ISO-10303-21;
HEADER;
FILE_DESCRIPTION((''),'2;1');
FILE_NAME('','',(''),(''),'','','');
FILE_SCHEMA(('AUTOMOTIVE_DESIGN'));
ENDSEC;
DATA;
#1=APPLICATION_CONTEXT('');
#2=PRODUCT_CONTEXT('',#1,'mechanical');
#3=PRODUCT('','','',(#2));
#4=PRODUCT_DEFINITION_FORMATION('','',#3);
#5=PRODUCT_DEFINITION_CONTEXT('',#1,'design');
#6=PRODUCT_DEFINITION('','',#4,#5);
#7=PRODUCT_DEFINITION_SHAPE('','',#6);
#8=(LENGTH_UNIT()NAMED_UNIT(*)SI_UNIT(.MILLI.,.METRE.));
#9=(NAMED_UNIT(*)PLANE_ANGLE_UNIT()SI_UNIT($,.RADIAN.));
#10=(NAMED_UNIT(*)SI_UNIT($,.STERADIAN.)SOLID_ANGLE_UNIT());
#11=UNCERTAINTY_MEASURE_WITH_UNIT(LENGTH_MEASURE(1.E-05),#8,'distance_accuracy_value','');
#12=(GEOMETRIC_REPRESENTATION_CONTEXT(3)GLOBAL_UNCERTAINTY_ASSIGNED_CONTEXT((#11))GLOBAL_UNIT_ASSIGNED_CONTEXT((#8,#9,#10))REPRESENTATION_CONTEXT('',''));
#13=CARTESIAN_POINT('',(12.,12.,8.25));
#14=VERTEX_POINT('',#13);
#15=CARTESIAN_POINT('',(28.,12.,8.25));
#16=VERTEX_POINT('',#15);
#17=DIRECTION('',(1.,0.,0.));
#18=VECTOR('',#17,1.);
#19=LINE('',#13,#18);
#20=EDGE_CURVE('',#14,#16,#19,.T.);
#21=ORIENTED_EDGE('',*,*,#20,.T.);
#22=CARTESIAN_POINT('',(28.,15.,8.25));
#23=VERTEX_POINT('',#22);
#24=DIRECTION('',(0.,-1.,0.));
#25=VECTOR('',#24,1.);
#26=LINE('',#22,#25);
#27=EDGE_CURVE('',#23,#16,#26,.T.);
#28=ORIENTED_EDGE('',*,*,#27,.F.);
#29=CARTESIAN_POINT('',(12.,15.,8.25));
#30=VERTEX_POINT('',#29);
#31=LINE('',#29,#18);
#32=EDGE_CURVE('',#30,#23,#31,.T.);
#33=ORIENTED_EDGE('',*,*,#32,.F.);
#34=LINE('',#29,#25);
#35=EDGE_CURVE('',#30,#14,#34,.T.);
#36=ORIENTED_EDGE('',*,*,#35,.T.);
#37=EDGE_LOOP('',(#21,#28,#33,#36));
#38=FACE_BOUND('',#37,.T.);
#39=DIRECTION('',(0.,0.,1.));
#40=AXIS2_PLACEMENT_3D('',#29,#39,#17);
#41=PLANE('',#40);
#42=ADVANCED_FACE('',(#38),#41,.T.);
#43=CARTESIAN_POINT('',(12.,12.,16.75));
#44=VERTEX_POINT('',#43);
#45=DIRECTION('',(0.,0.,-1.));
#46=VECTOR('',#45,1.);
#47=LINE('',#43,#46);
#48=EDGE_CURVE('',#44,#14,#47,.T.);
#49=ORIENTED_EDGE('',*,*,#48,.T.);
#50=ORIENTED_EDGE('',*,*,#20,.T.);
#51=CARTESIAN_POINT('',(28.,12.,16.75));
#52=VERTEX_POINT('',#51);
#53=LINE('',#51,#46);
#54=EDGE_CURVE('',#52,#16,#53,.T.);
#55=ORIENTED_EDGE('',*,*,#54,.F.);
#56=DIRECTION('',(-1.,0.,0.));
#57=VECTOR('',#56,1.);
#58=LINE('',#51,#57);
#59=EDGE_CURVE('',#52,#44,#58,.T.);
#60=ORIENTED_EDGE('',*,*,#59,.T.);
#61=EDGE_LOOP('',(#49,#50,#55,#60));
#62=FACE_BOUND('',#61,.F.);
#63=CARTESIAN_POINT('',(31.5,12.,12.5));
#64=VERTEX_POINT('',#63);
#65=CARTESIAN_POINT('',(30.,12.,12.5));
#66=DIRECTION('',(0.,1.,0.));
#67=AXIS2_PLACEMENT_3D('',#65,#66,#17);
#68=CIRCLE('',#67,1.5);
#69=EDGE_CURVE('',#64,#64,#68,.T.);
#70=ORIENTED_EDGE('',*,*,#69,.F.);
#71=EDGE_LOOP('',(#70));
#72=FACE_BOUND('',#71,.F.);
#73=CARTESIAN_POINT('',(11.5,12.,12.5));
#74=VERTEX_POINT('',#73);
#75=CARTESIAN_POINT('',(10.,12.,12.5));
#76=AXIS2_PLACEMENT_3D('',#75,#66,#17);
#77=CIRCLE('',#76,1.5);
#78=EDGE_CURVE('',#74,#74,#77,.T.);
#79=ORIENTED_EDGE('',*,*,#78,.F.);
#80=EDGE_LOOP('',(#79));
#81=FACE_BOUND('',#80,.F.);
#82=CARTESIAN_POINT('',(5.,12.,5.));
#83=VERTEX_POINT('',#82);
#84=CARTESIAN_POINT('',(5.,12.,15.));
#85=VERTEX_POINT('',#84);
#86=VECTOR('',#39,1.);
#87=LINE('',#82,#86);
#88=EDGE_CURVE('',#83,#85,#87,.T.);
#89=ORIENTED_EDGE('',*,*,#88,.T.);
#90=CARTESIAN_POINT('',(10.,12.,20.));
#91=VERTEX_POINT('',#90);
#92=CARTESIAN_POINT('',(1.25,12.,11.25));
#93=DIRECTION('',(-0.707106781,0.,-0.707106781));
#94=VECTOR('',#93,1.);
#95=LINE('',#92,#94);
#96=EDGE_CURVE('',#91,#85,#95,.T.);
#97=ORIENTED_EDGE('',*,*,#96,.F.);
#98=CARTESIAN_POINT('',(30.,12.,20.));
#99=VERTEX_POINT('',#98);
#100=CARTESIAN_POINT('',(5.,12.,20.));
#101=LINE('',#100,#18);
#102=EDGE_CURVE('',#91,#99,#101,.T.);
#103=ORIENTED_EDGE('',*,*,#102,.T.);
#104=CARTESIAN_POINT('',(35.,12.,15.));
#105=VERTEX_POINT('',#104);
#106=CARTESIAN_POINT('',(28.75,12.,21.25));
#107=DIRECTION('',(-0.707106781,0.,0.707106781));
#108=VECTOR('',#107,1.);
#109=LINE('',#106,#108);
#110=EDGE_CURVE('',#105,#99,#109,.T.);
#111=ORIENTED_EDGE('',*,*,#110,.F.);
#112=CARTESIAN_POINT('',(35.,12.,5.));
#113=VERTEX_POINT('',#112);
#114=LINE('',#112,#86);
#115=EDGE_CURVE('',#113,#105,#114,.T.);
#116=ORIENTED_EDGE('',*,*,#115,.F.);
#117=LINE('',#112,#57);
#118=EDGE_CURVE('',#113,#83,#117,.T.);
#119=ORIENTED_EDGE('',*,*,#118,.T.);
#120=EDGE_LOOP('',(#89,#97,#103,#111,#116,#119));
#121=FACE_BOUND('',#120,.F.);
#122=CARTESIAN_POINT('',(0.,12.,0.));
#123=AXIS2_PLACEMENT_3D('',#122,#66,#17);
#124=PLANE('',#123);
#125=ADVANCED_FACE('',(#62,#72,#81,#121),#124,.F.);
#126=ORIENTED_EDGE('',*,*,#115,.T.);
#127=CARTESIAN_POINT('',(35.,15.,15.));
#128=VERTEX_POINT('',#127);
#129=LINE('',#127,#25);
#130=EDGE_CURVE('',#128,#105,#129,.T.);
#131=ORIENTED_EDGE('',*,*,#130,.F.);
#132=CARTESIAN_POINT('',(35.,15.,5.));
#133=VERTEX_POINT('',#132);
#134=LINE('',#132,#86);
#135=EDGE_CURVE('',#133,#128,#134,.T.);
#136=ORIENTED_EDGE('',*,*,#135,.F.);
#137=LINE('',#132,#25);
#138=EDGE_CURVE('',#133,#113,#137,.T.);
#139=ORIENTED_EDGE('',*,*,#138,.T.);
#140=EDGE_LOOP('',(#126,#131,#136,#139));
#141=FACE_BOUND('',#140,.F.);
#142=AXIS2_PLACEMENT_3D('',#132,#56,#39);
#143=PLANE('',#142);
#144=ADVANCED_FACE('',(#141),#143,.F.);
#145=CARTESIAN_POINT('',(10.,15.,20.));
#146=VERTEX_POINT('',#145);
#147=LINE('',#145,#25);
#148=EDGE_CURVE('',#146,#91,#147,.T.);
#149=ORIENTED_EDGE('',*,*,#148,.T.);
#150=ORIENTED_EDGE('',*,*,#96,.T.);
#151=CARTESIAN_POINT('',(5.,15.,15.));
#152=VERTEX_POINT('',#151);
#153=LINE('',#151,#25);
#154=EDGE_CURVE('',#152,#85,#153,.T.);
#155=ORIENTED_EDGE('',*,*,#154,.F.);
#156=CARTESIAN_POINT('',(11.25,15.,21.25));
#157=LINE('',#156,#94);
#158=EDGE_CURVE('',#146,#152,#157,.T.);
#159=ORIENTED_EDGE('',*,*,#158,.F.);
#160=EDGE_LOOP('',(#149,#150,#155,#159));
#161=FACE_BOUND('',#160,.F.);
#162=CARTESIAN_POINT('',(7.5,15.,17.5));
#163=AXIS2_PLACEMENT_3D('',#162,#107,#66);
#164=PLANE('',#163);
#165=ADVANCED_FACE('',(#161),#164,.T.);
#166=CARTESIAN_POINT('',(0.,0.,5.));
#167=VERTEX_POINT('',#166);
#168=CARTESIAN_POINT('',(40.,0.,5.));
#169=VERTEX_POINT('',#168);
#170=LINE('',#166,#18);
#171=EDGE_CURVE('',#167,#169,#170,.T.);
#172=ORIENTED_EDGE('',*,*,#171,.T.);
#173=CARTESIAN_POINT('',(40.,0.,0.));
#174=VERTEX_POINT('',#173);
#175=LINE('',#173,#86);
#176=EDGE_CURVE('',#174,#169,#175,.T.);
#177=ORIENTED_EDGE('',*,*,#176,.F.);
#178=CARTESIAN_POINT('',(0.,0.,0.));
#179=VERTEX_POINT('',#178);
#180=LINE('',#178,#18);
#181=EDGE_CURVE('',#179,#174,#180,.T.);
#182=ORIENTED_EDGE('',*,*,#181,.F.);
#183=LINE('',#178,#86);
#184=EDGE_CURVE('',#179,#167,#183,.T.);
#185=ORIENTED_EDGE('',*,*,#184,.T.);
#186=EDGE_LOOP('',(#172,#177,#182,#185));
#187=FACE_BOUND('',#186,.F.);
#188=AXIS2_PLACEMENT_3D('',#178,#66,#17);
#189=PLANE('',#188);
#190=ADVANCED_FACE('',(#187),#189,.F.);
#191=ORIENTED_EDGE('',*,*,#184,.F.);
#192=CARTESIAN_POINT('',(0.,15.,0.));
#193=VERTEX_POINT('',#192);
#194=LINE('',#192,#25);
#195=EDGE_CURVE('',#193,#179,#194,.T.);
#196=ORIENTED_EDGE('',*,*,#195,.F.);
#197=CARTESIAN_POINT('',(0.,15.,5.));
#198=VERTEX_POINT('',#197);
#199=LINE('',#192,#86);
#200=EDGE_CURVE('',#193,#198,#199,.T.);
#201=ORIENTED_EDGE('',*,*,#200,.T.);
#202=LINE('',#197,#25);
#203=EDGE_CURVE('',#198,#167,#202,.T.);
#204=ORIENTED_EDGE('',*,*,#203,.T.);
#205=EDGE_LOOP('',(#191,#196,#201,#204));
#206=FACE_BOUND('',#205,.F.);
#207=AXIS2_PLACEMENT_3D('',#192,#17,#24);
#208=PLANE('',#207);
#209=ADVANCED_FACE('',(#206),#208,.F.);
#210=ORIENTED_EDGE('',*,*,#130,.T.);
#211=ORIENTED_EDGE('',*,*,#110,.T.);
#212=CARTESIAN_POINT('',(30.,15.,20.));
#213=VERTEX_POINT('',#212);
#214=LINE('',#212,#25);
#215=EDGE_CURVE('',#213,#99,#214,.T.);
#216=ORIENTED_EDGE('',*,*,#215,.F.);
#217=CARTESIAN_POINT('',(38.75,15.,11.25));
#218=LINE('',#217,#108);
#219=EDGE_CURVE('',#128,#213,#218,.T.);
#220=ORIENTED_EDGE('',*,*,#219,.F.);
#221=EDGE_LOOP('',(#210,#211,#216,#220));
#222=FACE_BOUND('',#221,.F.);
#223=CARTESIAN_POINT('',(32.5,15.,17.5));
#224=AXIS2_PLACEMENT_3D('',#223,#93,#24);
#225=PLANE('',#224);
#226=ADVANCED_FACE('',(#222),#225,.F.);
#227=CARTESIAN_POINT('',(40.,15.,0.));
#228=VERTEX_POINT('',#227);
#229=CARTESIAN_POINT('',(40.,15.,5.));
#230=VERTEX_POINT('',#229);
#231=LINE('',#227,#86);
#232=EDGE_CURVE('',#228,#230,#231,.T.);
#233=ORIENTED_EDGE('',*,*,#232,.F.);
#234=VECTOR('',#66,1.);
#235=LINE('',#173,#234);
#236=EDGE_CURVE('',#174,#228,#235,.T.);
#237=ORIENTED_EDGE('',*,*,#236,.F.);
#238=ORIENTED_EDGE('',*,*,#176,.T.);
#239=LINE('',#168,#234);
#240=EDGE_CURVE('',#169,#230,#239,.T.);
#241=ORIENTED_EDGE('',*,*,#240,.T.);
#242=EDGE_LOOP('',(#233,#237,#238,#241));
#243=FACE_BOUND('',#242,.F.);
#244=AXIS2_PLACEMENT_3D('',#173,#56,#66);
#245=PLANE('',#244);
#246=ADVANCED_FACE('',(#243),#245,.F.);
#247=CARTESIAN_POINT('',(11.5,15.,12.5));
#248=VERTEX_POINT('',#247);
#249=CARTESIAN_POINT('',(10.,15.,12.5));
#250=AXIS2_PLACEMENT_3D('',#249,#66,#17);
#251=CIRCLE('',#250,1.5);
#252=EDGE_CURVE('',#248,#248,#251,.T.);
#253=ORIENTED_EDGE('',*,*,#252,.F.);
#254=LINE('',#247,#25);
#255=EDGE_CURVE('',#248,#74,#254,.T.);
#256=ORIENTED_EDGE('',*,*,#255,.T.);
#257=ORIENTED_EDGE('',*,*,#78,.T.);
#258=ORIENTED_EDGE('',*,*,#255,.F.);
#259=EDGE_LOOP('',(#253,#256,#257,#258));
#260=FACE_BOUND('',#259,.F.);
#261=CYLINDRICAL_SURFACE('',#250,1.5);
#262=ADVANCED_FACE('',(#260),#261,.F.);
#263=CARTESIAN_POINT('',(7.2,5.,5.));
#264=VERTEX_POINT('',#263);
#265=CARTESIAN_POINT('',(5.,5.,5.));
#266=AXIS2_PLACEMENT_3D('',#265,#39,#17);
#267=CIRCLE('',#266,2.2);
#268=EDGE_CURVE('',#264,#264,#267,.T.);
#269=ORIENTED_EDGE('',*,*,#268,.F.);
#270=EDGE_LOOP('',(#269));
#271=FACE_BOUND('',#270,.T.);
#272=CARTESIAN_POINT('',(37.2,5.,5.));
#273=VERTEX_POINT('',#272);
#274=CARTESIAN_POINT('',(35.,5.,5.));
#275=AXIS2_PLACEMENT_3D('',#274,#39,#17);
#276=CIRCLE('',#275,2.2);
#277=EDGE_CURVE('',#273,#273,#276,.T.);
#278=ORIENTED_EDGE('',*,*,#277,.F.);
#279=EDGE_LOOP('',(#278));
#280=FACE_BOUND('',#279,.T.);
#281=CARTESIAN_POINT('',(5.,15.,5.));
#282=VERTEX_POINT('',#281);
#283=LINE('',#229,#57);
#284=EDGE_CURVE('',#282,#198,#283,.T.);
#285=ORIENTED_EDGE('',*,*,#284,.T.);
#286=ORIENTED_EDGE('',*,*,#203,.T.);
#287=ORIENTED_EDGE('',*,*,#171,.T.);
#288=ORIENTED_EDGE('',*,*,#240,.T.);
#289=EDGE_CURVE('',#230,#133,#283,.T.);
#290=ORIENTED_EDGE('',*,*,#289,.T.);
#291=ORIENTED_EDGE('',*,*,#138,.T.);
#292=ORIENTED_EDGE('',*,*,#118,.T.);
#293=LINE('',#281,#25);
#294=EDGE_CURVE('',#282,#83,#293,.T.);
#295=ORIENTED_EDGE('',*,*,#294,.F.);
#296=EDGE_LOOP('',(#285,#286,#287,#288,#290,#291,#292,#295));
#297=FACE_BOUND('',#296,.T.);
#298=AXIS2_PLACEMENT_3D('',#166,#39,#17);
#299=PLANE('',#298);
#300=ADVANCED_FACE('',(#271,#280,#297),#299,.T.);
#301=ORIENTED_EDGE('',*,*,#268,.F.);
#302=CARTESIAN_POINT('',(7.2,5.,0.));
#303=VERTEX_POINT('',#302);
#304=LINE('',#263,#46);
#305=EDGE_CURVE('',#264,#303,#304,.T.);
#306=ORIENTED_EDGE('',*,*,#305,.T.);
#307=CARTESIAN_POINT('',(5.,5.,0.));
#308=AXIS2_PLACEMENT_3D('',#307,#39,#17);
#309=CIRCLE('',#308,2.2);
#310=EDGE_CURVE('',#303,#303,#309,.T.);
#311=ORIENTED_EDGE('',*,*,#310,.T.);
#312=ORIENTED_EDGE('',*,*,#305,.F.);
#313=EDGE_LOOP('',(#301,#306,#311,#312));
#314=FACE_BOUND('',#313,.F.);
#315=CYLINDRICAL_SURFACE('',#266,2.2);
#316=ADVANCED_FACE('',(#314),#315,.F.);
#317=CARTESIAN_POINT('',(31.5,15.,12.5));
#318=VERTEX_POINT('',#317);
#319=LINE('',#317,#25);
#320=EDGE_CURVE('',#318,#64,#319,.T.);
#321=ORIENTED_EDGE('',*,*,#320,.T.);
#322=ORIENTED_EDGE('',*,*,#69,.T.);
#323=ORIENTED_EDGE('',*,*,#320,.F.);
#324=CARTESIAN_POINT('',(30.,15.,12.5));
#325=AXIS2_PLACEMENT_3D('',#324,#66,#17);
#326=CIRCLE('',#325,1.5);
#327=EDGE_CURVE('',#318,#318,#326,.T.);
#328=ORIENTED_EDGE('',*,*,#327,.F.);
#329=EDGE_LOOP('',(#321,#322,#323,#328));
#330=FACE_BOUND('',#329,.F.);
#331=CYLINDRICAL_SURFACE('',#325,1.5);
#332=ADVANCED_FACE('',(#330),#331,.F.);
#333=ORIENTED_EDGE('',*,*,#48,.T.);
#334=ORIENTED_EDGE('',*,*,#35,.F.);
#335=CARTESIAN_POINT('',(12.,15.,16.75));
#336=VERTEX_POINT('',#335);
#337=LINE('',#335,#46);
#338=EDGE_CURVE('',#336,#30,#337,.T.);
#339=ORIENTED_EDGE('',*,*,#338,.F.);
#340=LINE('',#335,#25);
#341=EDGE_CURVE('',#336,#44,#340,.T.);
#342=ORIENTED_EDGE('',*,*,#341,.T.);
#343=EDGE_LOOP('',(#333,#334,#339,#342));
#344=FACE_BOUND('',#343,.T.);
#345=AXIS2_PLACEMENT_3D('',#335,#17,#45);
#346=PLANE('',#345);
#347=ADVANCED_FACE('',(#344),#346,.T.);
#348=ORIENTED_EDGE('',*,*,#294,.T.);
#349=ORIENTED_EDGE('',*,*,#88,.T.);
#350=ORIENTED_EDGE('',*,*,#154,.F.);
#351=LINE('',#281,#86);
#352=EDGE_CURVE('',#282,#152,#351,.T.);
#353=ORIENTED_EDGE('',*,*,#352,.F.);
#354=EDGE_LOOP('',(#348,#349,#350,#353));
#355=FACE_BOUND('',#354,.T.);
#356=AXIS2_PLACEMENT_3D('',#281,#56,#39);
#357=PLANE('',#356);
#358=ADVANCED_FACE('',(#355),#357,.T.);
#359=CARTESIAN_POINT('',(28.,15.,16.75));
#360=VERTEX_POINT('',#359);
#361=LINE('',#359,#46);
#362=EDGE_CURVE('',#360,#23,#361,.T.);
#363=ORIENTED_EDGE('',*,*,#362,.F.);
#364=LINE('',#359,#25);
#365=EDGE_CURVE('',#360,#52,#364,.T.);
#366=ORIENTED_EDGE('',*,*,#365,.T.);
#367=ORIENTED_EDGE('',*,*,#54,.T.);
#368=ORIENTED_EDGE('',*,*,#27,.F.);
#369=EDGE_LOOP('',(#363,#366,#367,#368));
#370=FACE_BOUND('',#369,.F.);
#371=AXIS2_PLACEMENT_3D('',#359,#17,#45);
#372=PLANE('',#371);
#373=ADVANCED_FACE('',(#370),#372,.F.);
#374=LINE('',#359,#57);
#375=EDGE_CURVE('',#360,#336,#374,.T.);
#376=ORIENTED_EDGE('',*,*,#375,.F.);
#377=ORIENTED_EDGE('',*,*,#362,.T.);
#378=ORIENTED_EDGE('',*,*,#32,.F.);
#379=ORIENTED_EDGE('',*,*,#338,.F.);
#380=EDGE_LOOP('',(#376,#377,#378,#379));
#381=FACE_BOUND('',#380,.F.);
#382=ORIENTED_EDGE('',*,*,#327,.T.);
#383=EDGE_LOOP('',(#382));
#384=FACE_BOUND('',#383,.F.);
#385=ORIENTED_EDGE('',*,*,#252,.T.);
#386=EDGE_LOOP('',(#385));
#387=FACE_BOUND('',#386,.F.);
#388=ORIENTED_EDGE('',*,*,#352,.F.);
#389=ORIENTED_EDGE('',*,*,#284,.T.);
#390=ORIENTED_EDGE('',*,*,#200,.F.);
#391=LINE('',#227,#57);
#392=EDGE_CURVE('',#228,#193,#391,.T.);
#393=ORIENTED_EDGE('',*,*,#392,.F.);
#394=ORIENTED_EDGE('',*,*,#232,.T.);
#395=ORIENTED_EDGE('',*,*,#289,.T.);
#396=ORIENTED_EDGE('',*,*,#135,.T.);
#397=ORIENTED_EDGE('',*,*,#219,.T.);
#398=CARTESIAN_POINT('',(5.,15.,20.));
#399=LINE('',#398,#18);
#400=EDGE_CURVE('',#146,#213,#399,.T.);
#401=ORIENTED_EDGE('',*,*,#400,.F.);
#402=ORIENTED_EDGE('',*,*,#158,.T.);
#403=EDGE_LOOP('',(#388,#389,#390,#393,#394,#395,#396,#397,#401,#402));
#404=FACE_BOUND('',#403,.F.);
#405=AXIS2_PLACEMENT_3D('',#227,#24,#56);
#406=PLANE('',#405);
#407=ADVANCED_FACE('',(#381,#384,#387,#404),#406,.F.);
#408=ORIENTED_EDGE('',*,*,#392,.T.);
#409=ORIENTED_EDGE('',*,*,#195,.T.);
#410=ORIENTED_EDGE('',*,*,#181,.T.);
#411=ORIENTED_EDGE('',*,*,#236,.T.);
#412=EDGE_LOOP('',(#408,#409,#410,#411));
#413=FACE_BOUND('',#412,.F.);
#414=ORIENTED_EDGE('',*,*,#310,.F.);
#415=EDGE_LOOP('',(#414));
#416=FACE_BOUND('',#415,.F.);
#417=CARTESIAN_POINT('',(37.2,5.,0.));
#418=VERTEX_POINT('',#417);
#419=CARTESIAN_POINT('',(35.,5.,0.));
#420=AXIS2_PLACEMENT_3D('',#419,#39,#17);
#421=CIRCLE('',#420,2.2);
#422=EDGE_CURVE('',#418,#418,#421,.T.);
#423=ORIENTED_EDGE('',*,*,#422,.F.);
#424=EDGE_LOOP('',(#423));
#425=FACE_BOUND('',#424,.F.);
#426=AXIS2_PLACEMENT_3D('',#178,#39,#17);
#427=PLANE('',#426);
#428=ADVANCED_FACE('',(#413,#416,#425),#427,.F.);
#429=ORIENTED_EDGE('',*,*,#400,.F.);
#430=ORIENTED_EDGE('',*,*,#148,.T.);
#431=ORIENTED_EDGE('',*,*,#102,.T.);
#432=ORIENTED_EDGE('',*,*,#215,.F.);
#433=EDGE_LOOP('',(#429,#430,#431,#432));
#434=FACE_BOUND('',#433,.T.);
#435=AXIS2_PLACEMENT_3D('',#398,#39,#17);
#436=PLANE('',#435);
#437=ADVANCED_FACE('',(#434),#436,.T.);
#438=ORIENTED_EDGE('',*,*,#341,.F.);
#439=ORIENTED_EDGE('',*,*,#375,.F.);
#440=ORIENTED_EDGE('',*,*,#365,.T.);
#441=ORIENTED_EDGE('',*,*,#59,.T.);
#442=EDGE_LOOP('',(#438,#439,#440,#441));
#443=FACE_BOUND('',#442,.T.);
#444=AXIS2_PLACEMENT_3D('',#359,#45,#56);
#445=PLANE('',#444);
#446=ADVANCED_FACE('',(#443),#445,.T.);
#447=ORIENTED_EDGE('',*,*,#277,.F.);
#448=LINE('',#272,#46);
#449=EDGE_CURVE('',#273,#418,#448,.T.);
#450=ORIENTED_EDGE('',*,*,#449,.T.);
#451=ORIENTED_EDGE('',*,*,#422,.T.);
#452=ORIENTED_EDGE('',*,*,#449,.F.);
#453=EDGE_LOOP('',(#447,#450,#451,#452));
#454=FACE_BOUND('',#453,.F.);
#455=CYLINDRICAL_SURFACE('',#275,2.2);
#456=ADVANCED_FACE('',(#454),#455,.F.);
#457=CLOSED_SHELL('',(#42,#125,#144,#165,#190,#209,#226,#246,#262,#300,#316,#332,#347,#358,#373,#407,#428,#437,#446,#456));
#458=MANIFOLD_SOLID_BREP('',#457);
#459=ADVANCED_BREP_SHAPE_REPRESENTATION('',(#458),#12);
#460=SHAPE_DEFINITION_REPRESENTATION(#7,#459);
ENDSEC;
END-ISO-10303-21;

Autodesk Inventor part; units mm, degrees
ref_plane "YZ Plane" through (0, 0, 0) normal (1, 0, 0) x (0, 1, 0)
ref_plane "XZ Plane" through (0, 0, 0) normal (0, 1, 0) x (-1, 0, 0)
ref_plane "XY Plane" through (0, 0, 0) normal (0, 0, 1) x (1, 0, 0)
sketch "Sketch1" plane through (0, 0, 0) normal (0, 0, 1) x (1, 0, 0)
  line L0 (0, 0) -> (40, 0)
  line L1 (40, 0) -> (40, 15)
  line L2 (40, 15) -> (0, 15)
  line L3 (0, 15) -> (0, 0)
  dimension "d0" = 40
  dimension "d1" = 15
extrude "Extrusion1" add sketch "Sketch1" along normal blind 5
sketch "Sketch2" plane through (0, 15, 0) normal (0, 1, 0) x (1, 0, 0)
  line L0 (35, -5) -> (5, -5)
  line L1 (5, -5) -> (5, -20)
  line L2 (5, -20) -> (35, -20)
  line L3 (28, -16.75) -> (12, -16.75)
  line L4 (12, -16.75) -> (12, -8.25)
  line L5 (12, -8.25) -> (28, -8.25)
  circle A0 centre (30, -12.5) radius 1.5
  circle A1 centre (10, -12.5) radius 1.5
  line L6 (28, -16.75) -> (28, -8.25)
  line L7 (0, 0) -> (0, -5) projected
  line L8 (40, -5) -> (0, -5) projected
  line L9 (35, -5) -> (35, -20)
  dimension "d4" = 8.5
  dimension "d7" = 4.25
  dimension "d8" = 4.25
  dimension "d9" = 3
  dimension "d10" = 3
  dimension "d11" = 20
  dimension "d13" = 16
  dimension "d14" = 2
  dimension "d28" = 5
  dimension "d29" = 5
  dimension "d30" = 5
  dimension "d31" = 15
  dimension "d32" = 3.25
extrude "Extrusion2" add sketch "Sketch2" against normal blind 3
sketch "Sketch3" plane through (0, 0, 5) normal (0, 0, 1) x (1, 0, 0)
  circle A0 centre (35, 5) radius 2.2
  circle A1 centre (5, 5) radius 2.2
  line L0 (40, 0) -> (40, 15) projected
  line L1 (0, 15) -> (0, 0) projected
  line L2 (0, 0) -> (40, 0) projected
  point P0 (40, 17)
  point P1 (0, 17)
  dimension "d17" = 4.4
  dimension "d18" = 5
  dimension "d19" = 5
  dimension "d20" = 4.4
  dimension "d21" = 5
  dimension "d22" = 5
extrude "Extrusion3" cut sketch "Sketch3" against normal blind 10
chamfer "Chamfer1" distance 5 angle 45 2 edges at (5, 13.5, 20) (35, 13.5, 20)
properties part number "xt60_plug_mount_v2"
